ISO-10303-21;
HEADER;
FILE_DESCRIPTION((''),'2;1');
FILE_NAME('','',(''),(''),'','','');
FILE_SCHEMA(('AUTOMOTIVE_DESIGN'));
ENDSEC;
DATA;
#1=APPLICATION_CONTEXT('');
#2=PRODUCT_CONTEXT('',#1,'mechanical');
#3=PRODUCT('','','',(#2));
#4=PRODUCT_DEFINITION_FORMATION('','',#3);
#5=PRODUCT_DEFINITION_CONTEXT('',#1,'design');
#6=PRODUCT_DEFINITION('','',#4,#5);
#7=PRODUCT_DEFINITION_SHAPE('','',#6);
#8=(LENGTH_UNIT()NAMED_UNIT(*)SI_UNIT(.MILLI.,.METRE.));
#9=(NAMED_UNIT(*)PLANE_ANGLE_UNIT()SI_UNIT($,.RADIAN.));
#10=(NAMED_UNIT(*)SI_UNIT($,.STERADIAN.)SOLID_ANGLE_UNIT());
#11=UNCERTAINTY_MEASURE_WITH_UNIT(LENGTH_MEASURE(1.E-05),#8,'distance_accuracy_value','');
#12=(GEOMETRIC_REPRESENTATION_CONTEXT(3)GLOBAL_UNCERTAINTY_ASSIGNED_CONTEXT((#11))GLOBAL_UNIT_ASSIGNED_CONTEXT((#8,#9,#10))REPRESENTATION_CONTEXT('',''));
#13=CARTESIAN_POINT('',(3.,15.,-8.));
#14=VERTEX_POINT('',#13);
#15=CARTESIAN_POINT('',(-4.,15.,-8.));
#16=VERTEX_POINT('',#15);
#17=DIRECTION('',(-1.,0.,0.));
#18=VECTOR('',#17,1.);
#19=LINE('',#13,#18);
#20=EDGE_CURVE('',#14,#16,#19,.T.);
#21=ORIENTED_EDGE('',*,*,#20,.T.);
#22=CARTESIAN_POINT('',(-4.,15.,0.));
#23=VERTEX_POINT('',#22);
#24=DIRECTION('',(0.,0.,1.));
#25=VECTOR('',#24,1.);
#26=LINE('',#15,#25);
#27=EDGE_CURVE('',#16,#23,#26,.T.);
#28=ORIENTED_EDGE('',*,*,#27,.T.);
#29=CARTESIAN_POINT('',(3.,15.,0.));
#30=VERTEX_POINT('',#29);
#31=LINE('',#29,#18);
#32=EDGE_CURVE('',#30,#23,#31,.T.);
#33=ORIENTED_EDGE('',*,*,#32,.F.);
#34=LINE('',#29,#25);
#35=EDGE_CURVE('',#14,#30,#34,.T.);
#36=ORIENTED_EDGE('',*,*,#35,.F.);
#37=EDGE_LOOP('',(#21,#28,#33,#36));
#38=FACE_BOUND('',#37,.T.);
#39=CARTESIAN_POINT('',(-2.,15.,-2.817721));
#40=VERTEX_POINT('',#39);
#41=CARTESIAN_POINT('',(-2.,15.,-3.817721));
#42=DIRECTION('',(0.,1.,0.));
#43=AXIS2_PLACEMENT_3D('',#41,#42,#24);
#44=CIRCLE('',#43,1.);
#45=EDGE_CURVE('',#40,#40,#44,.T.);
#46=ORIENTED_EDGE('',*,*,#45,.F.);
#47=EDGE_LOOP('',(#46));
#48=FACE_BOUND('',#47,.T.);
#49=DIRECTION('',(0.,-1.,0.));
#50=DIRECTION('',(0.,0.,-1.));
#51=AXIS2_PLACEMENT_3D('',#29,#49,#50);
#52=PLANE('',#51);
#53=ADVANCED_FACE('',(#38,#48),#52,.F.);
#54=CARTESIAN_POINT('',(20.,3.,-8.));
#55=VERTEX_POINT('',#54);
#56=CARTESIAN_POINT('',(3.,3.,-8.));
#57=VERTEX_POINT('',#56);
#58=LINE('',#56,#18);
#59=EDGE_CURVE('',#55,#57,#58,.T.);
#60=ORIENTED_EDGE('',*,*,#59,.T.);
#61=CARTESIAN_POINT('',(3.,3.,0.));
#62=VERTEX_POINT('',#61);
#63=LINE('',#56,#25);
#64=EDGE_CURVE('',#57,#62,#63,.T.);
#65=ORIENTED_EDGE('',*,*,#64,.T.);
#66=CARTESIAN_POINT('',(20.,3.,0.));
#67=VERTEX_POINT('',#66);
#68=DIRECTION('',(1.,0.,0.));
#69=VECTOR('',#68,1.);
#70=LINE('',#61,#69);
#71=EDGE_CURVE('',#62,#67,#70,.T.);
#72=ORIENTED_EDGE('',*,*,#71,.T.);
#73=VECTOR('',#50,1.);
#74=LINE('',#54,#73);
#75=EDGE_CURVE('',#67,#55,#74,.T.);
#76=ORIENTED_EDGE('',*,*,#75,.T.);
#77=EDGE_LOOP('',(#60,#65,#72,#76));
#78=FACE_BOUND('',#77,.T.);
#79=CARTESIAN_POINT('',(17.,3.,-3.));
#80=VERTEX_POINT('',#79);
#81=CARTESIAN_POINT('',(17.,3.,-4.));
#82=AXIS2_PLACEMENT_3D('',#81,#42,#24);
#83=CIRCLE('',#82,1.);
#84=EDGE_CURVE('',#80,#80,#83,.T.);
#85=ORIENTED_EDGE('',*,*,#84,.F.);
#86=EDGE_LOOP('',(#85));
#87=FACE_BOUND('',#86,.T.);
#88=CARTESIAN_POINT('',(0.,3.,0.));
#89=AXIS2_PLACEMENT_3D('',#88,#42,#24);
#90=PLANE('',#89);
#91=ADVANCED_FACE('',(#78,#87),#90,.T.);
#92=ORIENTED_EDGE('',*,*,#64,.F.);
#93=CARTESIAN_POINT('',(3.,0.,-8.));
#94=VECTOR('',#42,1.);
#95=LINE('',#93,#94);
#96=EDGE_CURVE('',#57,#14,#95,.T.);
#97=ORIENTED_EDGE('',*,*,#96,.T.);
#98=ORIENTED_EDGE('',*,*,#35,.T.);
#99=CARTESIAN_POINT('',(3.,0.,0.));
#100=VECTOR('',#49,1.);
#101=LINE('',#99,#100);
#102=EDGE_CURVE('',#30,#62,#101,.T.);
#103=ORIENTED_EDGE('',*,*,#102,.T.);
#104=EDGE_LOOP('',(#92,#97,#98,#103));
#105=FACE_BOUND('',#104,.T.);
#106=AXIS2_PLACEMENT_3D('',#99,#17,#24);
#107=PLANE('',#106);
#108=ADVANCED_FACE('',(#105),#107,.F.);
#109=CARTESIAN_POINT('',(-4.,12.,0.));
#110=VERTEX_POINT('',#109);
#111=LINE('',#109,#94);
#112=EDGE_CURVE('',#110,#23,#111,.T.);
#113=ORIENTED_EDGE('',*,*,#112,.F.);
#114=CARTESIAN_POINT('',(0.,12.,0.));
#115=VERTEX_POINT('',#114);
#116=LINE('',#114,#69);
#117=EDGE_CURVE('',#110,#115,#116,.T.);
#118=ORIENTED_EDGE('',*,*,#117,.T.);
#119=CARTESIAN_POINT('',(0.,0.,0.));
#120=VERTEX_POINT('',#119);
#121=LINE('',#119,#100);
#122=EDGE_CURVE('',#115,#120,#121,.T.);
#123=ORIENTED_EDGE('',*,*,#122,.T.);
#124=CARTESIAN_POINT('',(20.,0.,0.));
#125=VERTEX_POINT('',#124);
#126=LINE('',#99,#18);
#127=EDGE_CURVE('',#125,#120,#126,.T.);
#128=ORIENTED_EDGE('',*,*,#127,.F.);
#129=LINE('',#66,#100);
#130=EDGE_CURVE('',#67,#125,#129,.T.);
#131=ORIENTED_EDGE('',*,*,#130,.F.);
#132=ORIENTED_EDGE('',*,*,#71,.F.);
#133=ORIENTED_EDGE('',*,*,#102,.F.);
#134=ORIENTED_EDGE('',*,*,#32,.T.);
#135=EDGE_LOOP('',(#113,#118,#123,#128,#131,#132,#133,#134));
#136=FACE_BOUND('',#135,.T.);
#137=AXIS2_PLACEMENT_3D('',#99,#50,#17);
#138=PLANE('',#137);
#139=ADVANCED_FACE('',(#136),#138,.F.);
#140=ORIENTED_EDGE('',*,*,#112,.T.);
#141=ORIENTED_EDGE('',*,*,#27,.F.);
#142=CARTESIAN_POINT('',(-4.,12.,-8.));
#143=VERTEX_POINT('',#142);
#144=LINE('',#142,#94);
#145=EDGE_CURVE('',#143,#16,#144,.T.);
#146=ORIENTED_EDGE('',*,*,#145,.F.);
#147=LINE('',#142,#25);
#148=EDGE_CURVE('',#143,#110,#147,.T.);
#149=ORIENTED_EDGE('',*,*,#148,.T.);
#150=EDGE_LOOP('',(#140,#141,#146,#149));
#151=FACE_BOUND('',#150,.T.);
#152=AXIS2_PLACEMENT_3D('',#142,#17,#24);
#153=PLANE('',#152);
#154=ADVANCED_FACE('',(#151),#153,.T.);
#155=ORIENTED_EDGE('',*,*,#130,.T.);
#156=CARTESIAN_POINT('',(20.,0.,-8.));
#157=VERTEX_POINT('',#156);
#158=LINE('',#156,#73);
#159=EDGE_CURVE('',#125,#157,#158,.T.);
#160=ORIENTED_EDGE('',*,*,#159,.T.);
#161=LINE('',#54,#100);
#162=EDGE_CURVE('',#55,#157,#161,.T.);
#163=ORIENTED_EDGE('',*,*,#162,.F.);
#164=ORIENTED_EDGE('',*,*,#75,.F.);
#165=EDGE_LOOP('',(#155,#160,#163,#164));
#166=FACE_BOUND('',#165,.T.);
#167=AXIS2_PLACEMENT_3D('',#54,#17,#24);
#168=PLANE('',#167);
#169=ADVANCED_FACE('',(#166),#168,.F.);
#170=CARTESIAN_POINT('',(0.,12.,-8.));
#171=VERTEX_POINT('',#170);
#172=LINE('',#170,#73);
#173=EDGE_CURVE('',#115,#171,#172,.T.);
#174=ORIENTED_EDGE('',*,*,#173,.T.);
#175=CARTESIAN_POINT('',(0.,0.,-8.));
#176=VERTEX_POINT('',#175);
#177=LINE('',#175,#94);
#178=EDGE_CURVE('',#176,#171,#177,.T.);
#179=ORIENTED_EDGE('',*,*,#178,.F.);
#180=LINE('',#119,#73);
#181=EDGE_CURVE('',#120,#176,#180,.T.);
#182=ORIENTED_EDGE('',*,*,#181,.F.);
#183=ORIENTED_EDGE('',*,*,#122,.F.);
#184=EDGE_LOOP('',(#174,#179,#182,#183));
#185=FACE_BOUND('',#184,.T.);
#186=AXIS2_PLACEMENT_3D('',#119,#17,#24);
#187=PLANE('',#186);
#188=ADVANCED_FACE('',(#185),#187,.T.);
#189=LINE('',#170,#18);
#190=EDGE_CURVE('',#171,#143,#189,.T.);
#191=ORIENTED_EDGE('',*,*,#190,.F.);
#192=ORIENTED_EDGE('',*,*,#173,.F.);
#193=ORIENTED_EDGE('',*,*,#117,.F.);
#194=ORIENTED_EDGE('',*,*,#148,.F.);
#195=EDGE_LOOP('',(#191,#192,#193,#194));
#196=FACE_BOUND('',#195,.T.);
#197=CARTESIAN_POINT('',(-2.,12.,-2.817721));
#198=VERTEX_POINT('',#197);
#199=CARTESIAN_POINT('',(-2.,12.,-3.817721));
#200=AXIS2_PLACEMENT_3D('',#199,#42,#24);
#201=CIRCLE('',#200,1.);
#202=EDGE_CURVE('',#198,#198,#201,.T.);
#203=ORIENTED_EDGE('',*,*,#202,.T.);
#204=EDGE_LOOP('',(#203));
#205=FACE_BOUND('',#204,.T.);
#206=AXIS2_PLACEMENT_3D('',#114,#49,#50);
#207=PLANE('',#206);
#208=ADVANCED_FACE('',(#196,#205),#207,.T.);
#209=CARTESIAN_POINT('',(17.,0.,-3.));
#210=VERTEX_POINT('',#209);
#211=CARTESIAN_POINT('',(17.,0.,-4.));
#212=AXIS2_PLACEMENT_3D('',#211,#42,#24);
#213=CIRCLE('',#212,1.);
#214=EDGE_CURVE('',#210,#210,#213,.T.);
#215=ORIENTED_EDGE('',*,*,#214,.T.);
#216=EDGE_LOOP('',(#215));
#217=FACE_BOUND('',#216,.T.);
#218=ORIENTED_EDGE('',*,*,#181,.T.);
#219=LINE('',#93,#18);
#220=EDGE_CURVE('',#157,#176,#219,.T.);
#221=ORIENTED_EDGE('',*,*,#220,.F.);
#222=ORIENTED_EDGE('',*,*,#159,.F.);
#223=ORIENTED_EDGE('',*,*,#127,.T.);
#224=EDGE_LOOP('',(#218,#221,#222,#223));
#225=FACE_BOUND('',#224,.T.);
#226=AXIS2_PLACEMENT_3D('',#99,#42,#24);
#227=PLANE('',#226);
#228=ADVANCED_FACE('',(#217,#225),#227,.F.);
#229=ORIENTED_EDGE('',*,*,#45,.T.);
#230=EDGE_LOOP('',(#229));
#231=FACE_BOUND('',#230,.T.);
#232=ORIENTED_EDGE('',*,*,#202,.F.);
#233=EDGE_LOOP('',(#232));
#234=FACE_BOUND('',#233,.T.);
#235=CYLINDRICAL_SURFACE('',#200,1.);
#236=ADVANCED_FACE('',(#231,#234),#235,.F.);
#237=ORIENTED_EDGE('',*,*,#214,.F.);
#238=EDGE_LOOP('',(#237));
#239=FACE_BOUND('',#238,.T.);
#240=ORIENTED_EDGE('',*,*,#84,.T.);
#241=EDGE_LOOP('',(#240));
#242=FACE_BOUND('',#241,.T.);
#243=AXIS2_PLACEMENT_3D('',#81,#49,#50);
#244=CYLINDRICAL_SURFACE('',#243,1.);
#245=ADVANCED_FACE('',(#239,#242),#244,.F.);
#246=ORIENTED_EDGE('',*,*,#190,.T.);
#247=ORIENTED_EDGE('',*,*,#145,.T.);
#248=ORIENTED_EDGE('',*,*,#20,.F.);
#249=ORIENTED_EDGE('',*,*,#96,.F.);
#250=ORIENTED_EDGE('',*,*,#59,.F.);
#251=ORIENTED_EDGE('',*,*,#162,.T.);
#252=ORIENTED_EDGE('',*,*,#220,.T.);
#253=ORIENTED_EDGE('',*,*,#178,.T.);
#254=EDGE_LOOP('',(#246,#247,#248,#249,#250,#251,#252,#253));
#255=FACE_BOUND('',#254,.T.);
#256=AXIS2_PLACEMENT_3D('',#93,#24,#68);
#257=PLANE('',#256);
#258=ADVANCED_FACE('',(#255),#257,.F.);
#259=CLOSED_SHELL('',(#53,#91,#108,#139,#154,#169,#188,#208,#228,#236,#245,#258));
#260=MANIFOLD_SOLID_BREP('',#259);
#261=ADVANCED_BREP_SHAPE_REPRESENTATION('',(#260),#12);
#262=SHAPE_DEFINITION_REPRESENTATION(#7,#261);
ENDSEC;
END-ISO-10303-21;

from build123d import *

# Parameters (mm, degrees)
SKETCH1_W           = 8
SKETCH1_H           = 15
BOSS_EXTRUDE1_DEPTH = 3
SKETCH2_W           = 17
SKETCH2_H           = 8
SKETCH2_R           = 1
BOSS_EXTRUDE2_DEPTH = 3
SKETCH3_W           = 4
SKETCH3_H           = 8
SKETCH3_R           = 1
BOSS_EXTRUDE3_DEPTH = 3


with BuildPart() as part:
    # Sketch1 → Boss-Extrude1 (new body)
    with BuildSketch(Plane(origin=(0, 0, 0), x_dir=(0, 0, -1), z_dir=(1, 0, 0))):
        with Locations((4, 7.5)):
            Rectangle(SKETCH1_W, SKETCH1_H)
    extrude(amount=BOSS_EXTRUDE1_DEPTH)

    # Sketch2 → Boss-Extrude2 (add)
    with BuildSketch(Plane(origin=(0, 0, 0), x_dir=(1, 0, 0), z_dir=(0, 1, 0))):
        with Locations((11.5, 4)):
            Rectangle(SKETCH2_W, SKETCH2_H)
        with Locations(Location((17, 4, 0), (0, 0, 270))):
            Circle(SKETCH2_R, mode=Mode.SUBTRACT)
    extrude(amount=BOSS_EXTRUDE2_DEPTH)

    # Sketch3 → Boss-Extrude3 (add)
    with BuildSketch(Plane(origin=(0, 15, 0), x_dir=(1, 0, 0), z_dir=(0, 1, 0))):
        with Locations((-2, 4)):
            Rectangle(SKETCH3_W, SKETCH3_H)
        with Locations(Location((-2, 3.81772143, 0), (0, 0, 270))):
            Circle(SKETCH3_R, mode=Mode.SUBTRACT)
    extrude(amount=-BOSS_EXTRUDE3_DEPTH)


solid = part.part
